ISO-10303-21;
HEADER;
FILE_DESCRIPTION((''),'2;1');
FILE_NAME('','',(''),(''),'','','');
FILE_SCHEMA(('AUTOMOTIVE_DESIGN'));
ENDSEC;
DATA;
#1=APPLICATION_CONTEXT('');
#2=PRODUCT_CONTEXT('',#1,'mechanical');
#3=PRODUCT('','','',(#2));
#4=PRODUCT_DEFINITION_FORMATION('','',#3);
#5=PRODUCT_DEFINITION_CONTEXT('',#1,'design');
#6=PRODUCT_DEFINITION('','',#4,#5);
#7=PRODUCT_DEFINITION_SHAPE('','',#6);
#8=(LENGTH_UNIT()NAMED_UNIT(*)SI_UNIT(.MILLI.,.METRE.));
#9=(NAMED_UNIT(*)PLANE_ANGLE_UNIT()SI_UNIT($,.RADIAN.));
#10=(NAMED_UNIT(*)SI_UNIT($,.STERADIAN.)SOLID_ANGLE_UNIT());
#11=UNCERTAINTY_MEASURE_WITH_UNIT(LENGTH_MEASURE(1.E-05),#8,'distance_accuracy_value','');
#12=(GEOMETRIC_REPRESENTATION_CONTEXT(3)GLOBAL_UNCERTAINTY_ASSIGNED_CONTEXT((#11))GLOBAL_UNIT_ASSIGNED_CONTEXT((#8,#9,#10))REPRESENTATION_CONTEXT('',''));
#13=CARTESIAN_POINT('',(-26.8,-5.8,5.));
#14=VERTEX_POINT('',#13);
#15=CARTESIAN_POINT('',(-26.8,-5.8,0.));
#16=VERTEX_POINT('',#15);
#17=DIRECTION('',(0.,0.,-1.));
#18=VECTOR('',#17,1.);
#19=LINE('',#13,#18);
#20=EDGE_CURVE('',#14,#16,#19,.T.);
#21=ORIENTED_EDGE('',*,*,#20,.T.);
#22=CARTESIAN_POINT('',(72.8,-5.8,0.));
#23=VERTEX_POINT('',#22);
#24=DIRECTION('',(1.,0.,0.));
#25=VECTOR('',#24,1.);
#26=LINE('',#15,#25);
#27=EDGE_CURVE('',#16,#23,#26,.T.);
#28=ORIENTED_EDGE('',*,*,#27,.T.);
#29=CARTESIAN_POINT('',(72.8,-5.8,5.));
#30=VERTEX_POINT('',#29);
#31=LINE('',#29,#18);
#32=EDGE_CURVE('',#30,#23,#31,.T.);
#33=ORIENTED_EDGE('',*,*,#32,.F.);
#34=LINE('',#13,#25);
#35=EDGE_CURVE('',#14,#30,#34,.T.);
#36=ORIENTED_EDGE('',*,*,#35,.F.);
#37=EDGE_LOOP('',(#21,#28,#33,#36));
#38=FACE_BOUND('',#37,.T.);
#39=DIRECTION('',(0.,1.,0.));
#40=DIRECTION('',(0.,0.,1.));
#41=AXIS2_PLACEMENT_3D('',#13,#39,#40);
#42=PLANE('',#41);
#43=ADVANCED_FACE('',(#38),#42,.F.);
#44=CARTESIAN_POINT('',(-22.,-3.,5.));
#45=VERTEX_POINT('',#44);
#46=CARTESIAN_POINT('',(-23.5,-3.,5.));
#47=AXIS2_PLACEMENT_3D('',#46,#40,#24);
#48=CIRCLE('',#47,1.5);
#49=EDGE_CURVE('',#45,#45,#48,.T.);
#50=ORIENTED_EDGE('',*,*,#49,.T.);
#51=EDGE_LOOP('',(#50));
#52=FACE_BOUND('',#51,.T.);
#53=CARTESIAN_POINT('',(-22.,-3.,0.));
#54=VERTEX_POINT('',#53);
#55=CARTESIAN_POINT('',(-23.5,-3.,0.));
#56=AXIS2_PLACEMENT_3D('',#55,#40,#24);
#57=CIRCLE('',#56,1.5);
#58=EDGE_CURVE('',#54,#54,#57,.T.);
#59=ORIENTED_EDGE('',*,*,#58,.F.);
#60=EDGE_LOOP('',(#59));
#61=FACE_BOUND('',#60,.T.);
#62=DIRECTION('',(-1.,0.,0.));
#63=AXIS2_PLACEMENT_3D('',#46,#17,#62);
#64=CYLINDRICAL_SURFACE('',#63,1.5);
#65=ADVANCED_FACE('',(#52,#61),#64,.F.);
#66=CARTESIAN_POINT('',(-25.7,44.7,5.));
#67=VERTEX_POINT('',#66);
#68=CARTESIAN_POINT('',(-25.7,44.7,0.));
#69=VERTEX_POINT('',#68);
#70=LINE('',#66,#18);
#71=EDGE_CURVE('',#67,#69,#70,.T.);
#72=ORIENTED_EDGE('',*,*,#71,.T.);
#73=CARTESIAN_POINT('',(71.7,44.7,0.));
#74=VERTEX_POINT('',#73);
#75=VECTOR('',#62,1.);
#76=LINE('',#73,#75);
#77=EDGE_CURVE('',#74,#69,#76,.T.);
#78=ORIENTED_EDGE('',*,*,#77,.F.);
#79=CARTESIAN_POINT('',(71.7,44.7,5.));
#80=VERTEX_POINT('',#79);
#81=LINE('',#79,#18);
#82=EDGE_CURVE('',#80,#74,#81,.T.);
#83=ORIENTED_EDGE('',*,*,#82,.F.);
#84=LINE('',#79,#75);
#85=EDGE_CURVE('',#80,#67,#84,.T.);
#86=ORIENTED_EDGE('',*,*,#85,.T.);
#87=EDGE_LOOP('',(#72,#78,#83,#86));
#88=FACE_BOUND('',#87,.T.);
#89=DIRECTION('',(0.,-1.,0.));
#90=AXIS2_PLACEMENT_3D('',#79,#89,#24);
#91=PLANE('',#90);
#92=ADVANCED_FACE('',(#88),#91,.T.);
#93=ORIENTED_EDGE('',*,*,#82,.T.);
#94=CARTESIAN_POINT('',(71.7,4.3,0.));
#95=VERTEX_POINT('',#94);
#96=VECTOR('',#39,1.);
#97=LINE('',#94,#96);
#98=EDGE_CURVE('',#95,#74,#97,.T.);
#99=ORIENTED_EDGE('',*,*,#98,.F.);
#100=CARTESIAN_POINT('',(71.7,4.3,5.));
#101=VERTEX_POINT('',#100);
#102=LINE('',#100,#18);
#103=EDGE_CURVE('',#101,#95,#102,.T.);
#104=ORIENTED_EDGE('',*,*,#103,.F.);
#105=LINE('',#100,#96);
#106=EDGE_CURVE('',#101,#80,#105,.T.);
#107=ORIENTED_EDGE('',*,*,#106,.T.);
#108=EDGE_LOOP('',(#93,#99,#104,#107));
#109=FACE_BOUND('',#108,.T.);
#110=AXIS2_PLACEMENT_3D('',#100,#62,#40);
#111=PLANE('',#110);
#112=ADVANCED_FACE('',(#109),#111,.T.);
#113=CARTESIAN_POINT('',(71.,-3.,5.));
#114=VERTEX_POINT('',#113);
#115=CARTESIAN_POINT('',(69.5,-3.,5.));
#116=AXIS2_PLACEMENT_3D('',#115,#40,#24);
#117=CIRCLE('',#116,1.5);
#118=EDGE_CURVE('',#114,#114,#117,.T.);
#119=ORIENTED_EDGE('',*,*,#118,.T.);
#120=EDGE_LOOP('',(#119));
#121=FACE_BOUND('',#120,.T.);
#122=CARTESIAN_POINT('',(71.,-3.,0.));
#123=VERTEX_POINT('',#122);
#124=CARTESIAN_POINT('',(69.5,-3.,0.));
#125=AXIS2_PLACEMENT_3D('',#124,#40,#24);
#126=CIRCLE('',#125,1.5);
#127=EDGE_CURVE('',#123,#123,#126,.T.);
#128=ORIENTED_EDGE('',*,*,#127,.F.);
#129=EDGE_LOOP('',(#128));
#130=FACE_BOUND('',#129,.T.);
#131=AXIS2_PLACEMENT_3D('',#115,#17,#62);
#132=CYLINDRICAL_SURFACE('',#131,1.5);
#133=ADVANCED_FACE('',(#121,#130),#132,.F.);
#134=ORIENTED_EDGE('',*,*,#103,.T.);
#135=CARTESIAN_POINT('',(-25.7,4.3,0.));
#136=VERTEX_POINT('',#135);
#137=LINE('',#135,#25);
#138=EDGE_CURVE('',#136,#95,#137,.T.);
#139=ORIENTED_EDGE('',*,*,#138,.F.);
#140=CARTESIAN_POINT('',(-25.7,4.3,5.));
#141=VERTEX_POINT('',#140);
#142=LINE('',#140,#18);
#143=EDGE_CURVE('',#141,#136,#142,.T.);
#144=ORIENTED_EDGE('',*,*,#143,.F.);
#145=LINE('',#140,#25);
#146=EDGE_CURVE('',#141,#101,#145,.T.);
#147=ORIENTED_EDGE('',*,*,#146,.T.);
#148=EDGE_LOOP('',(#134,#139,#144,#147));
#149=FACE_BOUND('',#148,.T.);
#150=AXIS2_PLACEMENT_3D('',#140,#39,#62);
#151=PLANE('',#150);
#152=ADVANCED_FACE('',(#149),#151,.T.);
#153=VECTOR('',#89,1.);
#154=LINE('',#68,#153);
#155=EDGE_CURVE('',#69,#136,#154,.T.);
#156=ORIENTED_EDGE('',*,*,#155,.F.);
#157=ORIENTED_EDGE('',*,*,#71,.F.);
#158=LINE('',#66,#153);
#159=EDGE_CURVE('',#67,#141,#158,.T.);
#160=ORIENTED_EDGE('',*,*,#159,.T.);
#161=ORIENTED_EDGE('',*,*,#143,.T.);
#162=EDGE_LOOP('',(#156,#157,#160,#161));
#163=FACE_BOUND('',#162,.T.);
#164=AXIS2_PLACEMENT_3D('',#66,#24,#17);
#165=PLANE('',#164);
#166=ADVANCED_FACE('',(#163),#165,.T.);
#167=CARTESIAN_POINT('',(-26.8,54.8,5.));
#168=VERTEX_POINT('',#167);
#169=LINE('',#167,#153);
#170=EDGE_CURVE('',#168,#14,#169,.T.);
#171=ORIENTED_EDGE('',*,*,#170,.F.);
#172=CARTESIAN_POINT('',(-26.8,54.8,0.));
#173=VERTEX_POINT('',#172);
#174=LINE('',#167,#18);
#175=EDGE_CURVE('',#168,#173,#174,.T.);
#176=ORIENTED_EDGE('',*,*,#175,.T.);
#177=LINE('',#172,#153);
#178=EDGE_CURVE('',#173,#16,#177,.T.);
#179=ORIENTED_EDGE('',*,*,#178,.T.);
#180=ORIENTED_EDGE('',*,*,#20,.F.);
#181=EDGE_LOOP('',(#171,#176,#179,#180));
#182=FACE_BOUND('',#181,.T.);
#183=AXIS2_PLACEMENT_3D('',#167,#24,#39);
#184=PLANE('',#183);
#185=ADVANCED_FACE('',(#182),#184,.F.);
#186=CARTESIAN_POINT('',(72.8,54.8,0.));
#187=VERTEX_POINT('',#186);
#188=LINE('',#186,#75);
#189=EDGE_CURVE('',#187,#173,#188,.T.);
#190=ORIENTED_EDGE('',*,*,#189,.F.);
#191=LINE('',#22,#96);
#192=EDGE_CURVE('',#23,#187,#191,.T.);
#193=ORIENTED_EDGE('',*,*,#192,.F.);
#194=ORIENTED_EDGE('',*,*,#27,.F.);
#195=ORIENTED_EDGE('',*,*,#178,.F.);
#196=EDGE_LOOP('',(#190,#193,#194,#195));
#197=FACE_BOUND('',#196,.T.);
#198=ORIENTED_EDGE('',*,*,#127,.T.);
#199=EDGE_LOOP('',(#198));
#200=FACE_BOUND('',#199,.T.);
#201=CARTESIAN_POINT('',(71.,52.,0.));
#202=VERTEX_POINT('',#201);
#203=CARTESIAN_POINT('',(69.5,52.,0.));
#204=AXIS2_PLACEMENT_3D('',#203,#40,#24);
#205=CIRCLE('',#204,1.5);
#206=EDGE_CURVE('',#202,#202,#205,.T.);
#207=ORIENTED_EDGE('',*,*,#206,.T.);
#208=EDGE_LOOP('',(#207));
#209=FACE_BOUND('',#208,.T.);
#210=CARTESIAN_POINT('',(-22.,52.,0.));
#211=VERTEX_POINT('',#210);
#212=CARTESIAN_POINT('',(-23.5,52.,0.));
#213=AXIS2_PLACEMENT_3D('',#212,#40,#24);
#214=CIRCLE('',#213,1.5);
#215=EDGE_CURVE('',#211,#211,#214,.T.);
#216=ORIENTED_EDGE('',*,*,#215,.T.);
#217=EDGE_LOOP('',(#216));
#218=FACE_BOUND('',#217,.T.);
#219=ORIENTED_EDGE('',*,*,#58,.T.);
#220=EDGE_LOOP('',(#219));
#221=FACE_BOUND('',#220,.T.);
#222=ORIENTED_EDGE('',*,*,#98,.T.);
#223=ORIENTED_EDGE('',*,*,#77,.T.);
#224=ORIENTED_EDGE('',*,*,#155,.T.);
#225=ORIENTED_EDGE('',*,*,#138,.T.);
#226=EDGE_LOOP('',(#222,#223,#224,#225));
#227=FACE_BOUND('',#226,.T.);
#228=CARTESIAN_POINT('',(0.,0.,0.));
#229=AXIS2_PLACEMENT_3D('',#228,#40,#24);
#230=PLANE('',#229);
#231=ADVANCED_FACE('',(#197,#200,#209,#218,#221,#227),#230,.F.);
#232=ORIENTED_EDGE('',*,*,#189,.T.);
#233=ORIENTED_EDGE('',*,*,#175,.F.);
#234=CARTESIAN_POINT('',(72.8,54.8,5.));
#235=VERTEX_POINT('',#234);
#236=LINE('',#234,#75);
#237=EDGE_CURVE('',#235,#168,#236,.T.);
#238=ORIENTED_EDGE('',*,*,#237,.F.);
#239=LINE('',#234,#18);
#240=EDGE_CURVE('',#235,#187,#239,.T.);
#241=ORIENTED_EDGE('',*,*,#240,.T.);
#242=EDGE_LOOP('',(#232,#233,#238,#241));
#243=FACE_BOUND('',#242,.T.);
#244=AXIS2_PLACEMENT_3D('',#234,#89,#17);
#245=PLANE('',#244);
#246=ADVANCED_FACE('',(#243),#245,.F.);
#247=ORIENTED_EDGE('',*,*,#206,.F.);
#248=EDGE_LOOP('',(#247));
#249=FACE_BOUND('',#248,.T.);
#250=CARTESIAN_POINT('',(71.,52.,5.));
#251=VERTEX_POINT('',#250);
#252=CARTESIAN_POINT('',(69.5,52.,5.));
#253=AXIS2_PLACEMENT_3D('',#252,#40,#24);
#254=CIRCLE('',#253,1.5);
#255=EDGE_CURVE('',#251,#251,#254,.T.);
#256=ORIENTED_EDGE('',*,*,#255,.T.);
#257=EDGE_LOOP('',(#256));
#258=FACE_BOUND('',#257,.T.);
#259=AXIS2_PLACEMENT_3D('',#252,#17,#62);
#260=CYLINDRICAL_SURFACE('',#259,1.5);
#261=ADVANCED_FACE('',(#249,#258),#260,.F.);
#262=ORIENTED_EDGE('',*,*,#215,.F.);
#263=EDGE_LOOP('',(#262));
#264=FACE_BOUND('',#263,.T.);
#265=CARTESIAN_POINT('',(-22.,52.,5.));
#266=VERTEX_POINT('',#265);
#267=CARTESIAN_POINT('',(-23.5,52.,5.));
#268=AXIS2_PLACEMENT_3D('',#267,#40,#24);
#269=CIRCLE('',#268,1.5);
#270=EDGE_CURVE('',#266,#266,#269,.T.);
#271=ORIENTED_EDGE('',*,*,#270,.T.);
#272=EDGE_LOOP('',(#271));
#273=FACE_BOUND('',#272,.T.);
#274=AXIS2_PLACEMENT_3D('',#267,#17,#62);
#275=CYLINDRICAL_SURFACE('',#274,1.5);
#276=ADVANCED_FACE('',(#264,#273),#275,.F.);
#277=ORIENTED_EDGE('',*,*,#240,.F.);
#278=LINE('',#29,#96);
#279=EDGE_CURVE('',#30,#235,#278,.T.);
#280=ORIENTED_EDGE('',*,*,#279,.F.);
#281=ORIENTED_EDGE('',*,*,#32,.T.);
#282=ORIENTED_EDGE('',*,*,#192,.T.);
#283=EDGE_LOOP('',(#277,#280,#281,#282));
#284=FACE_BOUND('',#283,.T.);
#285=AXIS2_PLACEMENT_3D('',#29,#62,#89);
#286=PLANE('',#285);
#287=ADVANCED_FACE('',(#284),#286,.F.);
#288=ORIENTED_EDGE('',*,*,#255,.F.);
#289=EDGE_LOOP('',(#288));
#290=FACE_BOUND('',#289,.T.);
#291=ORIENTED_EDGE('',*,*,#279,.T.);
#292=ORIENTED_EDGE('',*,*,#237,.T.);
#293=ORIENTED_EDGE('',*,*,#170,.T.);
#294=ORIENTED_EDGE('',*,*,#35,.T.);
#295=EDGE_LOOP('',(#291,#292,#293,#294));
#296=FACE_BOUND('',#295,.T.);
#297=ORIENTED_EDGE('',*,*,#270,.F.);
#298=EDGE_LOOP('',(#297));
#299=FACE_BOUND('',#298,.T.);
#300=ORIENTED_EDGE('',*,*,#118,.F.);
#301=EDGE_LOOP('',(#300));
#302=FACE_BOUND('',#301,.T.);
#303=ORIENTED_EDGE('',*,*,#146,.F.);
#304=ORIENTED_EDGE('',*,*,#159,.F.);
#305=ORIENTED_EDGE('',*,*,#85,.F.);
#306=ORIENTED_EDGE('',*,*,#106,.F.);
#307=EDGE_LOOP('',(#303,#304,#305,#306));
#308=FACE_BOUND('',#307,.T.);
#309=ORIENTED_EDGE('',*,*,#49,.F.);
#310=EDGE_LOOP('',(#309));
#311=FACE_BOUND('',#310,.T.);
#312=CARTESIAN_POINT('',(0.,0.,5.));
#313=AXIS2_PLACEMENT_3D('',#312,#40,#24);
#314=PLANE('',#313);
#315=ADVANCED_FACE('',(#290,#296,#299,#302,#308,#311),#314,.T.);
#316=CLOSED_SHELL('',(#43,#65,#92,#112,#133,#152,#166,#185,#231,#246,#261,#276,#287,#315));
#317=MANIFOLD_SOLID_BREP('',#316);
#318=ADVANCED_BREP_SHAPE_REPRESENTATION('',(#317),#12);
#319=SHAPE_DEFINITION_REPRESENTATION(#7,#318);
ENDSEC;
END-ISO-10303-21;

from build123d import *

# Parameters (mm, degrees)
ESBO_O1_W                = 99.6
ESBO_O1_H                = 60.6
ESBO_O1_R                = 1.5
ESBO_O1_W_2              = 97.4
ESBO_O1_H_2              = 40.4
RESSALTO_EXTRUS_O1_DEPTH = 5


with BuildPart() as part:
    # Esboço1 → Ressalto-extrusão1 (new body)
    with BuildSketch(Plane.XY):
        with Locations((23, 24.5)):
            Rectangle(ESBO_O1_W, ESBO_O1_H)
        with Locations((-23.5, -3)):
            Circle(ESBO_O1_R, mode=Mode.SUBTRACT)
        with Locations((69.5, -3)):
            Circle(ESBO_O1_R, mode=Mode.SUBTRACT)
        with Locations((69.5, 52)):
            Circle(ESBO_O1_R, mode=Mode.SUBTRACT)
        with Locations((-23.5, 52)):
            Circle(ESBO_O1_R, mode=Mode.SUBTRACT)
        with Locations((23, 24.5)):
            Rectangle(ESBO_O1_W_2, ESBO_O1_H_2, mode=Mode.SUBTRACT)
    extrude(amount=RESSALTO_EXTRUS_O1_DEPTH)


solid = part.part
